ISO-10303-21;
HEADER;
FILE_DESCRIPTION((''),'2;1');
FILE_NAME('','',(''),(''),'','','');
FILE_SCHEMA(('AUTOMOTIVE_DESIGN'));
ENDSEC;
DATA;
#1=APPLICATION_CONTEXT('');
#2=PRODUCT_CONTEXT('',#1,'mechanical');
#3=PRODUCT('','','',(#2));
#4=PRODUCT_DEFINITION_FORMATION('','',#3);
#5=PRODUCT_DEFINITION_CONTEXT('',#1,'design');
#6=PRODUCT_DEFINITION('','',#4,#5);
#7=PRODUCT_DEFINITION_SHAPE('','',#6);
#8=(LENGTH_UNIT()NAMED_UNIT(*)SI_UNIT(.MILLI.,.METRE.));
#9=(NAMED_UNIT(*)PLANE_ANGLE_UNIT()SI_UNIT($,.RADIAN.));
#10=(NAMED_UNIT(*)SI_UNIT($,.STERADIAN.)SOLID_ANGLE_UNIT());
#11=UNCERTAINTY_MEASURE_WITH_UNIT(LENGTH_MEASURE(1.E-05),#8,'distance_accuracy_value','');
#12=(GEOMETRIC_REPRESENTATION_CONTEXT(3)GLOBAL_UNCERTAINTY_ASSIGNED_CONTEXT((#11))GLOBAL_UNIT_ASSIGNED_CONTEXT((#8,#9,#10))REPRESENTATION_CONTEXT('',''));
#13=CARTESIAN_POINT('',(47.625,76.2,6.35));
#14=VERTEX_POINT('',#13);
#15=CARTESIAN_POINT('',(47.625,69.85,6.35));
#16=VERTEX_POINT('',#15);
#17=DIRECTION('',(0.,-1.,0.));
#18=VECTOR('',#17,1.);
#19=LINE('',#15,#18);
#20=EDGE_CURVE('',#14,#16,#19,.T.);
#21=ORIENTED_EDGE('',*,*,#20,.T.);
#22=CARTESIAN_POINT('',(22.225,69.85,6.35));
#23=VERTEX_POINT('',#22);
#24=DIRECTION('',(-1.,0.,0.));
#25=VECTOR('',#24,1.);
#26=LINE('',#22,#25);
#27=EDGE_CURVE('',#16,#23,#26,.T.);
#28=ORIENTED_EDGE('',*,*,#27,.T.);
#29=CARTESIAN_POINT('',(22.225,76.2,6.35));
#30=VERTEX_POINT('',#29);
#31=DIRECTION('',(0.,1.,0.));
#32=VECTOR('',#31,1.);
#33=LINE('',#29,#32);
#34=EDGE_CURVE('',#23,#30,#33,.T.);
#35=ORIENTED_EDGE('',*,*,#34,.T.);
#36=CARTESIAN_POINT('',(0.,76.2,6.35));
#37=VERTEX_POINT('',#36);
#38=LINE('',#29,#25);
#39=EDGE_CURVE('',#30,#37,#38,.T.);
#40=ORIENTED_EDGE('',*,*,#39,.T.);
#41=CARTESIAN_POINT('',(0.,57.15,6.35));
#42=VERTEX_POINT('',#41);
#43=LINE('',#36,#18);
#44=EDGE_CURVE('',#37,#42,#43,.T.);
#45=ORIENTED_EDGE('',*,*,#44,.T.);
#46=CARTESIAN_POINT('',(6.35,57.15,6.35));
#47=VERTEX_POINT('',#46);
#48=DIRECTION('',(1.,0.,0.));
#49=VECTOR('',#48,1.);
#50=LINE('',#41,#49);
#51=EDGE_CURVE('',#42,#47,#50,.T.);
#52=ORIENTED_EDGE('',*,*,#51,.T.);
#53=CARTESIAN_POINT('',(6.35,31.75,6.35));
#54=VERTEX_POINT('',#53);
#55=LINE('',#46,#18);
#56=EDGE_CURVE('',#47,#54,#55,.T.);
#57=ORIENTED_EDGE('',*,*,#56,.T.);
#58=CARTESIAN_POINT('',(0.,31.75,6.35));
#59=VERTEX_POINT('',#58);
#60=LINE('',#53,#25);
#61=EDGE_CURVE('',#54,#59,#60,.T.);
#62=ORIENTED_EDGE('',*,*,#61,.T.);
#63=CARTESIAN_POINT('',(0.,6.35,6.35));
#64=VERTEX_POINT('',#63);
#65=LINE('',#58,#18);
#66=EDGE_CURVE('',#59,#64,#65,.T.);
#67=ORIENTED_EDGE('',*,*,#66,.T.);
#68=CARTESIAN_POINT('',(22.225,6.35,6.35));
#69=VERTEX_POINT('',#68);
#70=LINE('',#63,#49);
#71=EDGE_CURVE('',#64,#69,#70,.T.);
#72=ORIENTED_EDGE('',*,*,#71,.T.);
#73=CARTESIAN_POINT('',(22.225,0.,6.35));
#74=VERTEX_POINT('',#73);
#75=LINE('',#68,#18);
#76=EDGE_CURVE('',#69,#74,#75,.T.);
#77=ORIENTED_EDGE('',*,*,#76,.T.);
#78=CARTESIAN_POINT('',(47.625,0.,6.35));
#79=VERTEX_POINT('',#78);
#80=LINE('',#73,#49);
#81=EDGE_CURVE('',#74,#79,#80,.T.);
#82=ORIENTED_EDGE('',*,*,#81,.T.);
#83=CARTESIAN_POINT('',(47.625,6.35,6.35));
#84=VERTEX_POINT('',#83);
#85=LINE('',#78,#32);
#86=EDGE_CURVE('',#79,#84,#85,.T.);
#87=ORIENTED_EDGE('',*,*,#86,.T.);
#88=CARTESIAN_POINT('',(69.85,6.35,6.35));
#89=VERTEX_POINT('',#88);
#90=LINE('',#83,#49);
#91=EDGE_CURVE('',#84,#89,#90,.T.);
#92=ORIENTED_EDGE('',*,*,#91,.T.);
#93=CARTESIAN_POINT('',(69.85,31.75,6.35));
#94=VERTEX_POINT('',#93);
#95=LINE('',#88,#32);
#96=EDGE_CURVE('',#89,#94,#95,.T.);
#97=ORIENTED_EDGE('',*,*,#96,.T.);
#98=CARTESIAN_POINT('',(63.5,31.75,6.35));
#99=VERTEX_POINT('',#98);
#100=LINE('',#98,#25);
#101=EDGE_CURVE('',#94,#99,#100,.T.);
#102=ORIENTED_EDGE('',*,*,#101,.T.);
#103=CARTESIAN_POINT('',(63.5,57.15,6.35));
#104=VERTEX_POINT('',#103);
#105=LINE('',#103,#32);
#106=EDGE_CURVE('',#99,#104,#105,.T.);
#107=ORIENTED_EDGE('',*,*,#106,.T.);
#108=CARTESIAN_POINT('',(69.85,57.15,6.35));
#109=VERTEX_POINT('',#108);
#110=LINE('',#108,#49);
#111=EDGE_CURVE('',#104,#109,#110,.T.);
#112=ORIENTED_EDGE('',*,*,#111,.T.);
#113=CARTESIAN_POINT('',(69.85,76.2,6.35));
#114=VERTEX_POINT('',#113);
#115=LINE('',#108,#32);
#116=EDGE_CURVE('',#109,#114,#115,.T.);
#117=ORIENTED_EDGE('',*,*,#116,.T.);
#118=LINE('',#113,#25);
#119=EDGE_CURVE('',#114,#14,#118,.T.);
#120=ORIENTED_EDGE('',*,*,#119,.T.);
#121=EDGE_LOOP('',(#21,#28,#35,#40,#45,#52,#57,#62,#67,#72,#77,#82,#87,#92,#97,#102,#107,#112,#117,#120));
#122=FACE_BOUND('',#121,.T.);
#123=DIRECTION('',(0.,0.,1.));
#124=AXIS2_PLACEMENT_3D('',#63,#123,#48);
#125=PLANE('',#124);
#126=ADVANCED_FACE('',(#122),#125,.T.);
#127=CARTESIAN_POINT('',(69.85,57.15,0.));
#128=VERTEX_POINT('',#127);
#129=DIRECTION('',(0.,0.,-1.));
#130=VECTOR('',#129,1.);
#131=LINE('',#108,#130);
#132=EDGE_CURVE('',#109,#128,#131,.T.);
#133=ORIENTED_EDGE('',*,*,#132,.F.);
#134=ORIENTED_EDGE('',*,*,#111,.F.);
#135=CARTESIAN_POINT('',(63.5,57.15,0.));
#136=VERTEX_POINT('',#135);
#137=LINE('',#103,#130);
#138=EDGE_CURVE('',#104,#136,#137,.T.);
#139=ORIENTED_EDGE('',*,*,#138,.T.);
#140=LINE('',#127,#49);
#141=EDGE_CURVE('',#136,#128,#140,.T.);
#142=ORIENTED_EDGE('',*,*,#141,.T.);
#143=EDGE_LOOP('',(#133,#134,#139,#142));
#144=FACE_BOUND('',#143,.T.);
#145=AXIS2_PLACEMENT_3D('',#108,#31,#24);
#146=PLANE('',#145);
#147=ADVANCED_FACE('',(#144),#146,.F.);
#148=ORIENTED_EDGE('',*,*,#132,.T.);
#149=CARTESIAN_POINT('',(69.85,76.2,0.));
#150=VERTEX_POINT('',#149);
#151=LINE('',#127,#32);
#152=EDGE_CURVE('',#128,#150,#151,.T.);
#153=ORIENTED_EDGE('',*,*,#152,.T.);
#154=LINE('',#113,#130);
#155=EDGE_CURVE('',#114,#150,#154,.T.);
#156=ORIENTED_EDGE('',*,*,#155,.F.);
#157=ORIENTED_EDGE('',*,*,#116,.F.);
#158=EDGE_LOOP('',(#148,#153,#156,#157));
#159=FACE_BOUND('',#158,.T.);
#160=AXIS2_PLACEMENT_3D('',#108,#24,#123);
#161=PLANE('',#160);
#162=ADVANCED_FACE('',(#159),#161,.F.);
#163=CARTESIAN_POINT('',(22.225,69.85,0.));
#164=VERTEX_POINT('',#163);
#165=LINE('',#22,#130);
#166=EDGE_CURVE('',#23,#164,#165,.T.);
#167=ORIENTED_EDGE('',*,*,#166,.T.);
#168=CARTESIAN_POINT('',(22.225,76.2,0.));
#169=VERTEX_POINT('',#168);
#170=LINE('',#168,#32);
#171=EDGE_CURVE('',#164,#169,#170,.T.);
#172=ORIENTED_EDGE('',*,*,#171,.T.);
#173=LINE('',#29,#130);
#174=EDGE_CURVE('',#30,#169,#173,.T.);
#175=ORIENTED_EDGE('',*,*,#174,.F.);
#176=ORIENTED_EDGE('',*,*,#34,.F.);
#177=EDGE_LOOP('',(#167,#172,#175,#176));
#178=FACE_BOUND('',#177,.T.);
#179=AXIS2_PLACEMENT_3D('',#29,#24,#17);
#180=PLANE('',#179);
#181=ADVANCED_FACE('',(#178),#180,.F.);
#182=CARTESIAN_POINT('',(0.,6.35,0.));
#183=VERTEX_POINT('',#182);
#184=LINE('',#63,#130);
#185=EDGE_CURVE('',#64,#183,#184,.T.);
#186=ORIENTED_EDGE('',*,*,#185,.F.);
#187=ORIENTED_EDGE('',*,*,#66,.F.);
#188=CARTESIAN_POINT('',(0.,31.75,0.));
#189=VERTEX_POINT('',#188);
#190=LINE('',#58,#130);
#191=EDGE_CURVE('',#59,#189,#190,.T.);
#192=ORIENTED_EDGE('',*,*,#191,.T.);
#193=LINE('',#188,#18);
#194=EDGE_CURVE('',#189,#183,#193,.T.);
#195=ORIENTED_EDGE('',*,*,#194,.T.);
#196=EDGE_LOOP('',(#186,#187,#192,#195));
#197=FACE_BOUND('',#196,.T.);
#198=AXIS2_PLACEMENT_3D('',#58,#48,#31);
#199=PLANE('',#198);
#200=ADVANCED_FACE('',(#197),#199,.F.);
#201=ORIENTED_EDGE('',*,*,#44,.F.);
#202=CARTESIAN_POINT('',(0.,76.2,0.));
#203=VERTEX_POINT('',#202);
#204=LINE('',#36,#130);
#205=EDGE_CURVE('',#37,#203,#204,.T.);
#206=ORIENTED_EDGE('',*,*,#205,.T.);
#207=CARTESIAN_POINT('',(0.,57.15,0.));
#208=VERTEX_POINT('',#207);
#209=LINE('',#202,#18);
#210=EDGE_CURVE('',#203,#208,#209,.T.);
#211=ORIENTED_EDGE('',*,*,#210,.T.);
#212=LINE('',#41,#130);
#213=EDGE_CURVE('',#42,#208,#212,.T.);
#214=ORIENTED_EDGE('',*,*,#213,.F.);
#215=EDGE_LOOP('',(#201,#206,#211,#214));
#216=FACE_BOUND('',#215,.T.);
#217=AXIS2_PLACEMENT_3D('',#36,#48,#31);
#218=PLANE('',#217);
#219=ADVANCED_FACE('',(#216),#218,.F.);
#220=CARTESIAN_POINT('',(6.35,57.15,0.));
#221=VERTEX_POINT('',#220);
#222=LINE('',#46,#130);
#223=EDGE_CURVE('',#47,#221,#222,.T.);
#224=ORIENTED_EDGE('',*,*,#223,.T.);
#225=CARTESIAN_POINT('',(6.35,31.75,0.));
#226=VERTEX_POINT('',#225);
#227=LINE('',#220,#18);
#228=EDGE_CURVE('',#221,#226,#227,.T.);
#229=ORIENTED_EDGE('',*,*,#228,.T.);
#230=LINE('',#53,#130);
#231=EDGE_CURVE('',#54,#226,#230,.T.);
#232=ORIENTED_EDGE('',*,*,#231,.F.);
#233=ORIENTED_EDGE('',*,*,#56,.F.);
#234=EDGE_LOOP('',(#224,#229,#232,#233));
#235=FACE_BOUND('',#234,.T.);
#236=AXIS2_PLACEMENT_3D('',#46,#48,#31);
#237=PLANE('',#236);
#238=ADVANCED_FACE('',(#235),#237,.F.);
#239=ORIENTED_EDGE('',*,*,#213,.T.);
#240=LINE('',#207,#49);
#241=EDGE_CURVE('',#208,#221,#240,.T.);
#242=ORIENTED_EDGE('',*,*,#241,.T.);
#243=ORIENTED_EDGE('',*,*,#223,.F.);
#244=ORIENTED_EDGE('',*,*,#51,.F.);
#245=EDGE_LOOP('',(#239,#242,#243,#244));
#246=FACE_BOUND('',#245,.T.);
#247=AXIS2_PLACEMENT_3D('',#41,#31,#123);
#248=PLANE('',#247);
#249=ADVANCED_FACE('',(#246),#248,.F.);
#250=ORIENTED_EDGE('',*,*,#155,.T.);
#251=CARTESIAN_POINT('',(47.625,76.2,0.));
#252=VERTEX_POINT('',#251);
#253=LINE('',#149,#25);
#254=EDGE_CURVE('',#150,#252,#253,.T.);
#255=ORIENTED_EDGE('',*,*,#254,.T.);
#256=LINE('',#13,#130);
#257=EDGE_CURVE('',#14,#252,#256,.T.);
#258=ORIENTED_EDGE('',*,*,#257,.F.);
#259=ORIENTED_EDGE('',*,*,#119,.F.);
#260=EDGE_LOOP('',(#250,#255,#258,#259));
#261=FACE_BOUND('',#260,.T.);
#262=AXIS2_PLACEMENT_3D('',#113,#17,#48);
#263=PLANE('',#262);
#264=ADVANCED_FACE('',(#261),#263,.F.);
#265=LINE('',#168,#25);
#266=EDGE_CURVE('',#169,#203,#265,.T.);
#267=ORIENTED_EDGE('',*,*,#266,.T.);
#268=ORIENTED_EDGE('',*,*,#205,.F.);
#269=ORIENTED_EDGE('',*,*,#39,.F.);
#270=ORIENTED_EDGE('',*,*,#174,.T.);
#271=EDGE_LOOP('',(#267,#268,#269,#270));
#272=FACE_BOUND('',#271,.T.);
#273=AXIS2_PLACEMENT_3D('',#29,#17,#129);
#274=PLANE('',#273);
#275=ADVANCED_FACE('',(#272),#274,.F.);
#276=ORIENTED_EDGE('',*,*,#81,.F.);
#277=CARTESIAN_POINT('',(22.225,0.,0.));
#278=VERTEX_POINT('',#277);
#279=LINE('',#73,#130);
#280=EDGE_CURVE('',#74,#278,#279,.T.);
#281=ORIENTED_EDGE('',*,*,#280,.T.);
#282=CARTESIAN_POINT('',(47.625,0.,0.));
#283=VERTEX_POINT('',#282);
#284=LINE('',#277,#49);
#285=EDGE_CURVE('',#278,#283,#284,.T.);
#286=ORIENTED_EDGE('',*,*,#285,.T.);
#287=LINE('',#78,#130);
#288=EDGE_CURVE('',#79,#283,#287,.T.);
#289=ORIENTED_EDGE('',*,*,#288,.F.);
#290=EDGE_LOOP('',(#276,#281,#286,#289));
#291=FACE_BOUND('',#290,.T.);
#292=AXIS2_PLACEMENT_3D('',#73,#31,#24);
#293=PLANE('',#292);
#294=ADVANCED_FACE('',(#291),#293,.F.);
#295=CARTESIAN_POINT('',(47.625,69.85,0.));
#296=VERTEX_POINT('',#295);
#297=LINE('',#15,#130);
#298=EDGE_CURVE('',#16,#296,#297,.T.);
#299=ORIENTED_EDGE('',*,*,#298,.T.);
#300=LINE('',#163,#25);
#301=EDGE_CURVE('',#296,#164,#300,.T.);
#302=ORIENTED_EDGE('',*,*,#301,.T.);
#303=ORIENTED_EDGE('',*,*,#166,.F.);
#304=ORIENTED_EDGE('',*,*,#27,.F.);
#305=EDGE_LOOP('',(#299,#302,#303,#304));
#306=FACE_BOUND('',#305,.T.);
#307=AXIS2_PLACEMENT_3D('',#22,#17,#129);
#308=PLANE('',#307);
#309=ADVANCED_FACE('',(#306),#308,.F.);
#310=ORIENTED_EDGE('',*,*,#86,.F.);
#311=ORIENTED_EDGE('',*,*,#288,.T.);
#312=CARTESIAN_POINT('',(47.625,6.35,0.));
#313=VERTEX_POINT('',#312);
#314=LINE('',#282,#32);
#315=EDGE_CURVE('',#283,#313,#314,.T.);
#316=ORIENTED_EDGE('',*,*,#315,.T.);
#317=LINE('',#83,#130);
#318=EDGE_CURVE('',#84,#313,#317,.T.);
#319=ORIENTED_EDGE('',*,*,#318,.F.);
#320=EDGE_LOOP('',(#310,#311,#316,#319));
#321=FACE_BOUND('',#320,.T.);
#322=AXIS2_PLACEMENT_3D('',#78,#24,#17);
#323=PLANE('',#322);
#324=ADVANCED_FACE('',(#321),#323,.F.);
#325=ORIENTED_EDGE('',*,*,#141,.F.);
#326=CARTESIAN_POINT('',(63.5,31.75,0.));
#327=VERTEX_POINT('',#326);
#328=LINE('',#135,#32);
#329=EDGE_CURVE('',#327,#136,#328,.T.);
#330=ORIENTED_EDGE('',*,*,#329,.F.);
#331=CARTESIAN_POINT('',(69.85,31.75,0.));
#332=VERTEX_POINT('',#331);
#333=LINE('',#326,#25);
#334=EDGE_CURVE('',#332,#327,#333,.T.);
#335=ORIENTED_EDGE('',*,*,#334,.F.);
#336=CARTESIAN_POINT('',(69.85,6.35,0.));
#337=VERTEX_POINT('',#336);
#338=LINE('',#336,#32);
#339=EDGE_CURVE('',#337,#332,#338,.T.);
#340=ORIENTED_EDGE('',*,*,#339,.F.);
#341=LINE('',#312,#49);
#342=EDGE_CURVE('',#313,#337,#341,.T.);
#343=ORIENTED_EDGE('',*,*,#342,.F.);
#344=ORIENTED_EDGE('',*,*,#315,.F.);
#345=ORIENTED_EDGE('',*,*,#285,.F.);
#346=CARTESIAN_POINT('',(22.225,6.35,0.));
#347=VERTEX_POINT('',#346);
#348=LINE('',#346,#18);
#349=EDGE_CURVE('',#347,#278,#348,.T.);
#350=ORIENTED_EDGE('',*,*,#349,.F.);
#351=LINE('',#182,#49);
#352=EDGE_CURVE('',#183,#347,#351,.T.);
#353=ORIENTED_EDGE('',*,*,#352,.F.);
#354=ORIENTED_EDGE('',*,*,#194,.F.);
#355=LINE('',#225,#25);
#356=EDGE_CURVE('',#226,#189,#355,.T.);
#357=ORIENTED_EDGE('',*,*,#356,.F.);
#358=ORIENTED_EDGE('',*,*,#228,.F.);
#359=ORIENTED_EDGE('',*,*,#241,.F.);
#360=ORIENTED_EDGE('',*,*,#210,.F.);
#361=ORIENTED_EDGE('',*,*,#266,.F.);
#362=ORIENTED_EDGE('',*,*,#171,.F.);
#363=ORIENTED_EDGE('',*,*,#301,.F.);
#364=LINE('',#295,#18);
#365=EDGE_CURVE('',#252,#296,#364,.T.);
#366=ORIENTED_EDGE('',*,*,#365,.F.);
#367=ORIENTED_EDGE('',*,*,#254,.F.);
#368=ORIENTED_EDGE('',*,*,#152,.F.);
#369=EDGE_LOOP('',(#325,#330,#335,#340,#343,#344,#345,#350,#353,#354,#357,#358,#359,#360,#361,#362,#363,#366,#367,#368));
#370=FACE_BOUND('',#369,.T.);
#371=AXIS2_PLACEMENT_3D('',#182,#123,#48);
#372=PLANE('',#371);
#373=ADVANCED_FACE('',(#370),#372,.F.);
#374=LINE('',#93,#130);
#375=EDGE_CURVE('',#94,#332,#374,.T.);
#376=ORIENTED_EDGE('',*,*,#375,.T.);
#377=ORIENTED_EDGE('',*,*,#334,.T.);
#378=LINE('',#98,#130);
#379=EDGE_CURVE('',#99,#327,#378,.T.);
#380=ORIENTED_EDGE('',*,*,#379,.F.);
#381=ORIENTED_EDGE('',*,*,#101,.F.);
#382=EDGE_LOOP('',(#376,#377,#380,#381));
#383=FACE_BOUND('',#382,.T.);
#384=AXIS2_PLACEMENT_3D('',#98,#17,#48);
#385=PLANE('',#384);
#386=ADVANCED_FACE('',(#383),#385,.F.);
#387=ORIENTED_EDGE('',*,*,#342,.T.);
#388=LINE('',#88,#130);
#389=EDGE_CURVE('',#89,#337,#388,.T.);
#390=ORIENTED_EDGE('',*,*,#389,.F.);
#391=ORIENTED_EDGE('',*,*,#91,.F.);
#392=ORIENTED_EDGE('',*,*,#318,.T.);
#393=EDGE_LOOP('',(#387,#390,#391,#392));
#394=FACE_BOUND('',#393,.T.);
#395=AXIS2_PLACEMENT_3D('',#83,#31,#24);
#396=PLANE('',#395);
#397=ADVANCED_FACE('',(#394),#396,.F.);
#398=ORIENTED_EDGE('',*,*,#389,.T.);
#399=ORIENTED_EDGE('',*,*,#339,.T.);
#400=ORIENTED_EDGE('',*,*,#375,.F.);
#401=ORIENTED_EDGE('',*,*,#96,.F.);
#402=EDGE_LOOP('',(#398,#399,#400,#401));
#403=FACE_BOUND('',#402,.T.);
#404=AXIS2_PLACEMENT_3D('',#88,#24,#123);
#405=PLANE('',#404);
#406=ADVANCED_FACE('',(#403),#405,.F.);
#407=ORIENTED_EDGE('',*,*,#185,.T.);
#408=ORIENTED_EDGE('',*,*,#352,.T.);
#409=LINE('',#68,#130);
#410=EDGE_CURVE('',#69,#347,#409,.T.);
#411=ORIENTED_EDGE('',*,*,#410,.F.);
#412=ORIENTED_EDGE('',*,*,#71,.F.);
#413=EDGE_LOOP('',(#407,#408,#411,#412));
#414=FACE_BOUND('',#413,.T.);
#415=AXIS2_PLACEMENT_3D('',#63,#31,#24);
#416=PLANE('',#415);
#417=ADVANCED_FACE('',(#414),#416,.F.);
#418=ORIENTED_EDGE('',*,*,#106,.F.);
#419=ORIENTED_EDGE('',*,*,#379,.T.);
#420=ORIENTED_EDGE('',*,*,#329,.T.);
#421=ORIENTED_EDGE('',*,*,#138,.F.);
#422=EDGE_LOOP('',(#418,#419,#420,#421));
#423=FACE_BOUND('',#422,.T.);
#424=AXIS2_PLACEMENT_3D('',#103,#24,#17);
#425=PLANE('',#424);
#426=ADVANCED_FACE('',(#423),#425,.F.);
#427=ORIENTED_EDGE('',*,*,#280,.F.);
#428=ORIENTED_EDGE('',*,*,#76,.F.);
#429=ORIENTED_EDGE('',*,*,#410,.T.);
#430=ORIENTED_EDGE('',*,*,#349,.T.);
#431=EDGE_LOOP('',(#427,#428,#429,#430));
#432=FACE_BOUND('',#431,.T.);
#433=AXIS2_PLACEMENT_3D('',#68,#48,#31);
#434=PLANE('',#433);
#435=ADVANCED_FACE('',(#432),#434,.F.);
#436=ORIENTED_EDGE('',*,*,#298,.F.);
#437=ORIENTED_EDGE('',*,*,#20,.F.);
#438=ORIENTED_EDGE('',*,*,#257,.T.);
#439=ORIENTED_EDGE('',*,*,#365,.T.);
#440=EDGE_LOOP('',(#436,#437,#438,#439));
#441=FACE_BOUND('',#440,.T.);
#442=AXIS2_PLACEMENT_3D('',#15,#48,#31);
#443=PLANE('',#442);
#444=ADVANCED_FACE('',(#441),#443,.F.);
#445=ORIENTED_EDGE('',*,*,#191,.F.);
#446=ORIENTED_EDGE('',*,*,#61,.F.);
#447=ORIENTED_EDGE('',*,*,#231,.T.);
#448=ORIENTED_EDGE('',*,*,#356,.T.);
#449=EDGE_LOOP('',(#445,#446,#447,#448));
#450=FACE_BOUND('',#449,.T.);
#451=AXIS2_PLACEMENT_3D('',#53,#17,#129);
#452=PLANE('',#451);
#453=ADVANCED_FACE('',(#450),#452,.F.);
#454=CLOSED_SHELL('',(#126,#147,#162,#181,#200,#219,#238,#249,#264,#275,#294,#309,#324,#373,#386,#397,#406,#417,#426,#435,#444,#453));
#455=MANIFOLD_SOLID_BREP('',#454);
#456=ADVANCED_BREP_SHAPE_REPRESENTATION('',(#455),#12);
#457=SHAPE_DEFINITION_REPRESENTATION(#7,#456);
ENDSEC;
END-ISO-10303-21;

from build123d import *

# Parameters (mm, degrees)
EXTRUDE1_DEPTH = 6.35


with BuildPart() as part:
    # Sketch1 → Extrude1 (new body)
    with BuildSketch(Plane.XY):
        Polygon((0, 6.35), (22.225, 6.35), (22.225, 0), (47.625, 0), (47.625, 6.35), (69.85, 6.35), (69.85, 31.75), (63.5, 31.75), (63.5, 57.15), (69.85, 57.15), (69.85, 76.2), (47.625, 76.2), (47.625, 69.85), (22.225, 69.85), (22.225, 76.2), (0, 76.2), (0, 57.15), (6.35, 57.15), (6.35, 31.75), (0, 31.75), align=None)
    extrude(amount=EXTRUDE1_DEPTH)


solid = part.part
